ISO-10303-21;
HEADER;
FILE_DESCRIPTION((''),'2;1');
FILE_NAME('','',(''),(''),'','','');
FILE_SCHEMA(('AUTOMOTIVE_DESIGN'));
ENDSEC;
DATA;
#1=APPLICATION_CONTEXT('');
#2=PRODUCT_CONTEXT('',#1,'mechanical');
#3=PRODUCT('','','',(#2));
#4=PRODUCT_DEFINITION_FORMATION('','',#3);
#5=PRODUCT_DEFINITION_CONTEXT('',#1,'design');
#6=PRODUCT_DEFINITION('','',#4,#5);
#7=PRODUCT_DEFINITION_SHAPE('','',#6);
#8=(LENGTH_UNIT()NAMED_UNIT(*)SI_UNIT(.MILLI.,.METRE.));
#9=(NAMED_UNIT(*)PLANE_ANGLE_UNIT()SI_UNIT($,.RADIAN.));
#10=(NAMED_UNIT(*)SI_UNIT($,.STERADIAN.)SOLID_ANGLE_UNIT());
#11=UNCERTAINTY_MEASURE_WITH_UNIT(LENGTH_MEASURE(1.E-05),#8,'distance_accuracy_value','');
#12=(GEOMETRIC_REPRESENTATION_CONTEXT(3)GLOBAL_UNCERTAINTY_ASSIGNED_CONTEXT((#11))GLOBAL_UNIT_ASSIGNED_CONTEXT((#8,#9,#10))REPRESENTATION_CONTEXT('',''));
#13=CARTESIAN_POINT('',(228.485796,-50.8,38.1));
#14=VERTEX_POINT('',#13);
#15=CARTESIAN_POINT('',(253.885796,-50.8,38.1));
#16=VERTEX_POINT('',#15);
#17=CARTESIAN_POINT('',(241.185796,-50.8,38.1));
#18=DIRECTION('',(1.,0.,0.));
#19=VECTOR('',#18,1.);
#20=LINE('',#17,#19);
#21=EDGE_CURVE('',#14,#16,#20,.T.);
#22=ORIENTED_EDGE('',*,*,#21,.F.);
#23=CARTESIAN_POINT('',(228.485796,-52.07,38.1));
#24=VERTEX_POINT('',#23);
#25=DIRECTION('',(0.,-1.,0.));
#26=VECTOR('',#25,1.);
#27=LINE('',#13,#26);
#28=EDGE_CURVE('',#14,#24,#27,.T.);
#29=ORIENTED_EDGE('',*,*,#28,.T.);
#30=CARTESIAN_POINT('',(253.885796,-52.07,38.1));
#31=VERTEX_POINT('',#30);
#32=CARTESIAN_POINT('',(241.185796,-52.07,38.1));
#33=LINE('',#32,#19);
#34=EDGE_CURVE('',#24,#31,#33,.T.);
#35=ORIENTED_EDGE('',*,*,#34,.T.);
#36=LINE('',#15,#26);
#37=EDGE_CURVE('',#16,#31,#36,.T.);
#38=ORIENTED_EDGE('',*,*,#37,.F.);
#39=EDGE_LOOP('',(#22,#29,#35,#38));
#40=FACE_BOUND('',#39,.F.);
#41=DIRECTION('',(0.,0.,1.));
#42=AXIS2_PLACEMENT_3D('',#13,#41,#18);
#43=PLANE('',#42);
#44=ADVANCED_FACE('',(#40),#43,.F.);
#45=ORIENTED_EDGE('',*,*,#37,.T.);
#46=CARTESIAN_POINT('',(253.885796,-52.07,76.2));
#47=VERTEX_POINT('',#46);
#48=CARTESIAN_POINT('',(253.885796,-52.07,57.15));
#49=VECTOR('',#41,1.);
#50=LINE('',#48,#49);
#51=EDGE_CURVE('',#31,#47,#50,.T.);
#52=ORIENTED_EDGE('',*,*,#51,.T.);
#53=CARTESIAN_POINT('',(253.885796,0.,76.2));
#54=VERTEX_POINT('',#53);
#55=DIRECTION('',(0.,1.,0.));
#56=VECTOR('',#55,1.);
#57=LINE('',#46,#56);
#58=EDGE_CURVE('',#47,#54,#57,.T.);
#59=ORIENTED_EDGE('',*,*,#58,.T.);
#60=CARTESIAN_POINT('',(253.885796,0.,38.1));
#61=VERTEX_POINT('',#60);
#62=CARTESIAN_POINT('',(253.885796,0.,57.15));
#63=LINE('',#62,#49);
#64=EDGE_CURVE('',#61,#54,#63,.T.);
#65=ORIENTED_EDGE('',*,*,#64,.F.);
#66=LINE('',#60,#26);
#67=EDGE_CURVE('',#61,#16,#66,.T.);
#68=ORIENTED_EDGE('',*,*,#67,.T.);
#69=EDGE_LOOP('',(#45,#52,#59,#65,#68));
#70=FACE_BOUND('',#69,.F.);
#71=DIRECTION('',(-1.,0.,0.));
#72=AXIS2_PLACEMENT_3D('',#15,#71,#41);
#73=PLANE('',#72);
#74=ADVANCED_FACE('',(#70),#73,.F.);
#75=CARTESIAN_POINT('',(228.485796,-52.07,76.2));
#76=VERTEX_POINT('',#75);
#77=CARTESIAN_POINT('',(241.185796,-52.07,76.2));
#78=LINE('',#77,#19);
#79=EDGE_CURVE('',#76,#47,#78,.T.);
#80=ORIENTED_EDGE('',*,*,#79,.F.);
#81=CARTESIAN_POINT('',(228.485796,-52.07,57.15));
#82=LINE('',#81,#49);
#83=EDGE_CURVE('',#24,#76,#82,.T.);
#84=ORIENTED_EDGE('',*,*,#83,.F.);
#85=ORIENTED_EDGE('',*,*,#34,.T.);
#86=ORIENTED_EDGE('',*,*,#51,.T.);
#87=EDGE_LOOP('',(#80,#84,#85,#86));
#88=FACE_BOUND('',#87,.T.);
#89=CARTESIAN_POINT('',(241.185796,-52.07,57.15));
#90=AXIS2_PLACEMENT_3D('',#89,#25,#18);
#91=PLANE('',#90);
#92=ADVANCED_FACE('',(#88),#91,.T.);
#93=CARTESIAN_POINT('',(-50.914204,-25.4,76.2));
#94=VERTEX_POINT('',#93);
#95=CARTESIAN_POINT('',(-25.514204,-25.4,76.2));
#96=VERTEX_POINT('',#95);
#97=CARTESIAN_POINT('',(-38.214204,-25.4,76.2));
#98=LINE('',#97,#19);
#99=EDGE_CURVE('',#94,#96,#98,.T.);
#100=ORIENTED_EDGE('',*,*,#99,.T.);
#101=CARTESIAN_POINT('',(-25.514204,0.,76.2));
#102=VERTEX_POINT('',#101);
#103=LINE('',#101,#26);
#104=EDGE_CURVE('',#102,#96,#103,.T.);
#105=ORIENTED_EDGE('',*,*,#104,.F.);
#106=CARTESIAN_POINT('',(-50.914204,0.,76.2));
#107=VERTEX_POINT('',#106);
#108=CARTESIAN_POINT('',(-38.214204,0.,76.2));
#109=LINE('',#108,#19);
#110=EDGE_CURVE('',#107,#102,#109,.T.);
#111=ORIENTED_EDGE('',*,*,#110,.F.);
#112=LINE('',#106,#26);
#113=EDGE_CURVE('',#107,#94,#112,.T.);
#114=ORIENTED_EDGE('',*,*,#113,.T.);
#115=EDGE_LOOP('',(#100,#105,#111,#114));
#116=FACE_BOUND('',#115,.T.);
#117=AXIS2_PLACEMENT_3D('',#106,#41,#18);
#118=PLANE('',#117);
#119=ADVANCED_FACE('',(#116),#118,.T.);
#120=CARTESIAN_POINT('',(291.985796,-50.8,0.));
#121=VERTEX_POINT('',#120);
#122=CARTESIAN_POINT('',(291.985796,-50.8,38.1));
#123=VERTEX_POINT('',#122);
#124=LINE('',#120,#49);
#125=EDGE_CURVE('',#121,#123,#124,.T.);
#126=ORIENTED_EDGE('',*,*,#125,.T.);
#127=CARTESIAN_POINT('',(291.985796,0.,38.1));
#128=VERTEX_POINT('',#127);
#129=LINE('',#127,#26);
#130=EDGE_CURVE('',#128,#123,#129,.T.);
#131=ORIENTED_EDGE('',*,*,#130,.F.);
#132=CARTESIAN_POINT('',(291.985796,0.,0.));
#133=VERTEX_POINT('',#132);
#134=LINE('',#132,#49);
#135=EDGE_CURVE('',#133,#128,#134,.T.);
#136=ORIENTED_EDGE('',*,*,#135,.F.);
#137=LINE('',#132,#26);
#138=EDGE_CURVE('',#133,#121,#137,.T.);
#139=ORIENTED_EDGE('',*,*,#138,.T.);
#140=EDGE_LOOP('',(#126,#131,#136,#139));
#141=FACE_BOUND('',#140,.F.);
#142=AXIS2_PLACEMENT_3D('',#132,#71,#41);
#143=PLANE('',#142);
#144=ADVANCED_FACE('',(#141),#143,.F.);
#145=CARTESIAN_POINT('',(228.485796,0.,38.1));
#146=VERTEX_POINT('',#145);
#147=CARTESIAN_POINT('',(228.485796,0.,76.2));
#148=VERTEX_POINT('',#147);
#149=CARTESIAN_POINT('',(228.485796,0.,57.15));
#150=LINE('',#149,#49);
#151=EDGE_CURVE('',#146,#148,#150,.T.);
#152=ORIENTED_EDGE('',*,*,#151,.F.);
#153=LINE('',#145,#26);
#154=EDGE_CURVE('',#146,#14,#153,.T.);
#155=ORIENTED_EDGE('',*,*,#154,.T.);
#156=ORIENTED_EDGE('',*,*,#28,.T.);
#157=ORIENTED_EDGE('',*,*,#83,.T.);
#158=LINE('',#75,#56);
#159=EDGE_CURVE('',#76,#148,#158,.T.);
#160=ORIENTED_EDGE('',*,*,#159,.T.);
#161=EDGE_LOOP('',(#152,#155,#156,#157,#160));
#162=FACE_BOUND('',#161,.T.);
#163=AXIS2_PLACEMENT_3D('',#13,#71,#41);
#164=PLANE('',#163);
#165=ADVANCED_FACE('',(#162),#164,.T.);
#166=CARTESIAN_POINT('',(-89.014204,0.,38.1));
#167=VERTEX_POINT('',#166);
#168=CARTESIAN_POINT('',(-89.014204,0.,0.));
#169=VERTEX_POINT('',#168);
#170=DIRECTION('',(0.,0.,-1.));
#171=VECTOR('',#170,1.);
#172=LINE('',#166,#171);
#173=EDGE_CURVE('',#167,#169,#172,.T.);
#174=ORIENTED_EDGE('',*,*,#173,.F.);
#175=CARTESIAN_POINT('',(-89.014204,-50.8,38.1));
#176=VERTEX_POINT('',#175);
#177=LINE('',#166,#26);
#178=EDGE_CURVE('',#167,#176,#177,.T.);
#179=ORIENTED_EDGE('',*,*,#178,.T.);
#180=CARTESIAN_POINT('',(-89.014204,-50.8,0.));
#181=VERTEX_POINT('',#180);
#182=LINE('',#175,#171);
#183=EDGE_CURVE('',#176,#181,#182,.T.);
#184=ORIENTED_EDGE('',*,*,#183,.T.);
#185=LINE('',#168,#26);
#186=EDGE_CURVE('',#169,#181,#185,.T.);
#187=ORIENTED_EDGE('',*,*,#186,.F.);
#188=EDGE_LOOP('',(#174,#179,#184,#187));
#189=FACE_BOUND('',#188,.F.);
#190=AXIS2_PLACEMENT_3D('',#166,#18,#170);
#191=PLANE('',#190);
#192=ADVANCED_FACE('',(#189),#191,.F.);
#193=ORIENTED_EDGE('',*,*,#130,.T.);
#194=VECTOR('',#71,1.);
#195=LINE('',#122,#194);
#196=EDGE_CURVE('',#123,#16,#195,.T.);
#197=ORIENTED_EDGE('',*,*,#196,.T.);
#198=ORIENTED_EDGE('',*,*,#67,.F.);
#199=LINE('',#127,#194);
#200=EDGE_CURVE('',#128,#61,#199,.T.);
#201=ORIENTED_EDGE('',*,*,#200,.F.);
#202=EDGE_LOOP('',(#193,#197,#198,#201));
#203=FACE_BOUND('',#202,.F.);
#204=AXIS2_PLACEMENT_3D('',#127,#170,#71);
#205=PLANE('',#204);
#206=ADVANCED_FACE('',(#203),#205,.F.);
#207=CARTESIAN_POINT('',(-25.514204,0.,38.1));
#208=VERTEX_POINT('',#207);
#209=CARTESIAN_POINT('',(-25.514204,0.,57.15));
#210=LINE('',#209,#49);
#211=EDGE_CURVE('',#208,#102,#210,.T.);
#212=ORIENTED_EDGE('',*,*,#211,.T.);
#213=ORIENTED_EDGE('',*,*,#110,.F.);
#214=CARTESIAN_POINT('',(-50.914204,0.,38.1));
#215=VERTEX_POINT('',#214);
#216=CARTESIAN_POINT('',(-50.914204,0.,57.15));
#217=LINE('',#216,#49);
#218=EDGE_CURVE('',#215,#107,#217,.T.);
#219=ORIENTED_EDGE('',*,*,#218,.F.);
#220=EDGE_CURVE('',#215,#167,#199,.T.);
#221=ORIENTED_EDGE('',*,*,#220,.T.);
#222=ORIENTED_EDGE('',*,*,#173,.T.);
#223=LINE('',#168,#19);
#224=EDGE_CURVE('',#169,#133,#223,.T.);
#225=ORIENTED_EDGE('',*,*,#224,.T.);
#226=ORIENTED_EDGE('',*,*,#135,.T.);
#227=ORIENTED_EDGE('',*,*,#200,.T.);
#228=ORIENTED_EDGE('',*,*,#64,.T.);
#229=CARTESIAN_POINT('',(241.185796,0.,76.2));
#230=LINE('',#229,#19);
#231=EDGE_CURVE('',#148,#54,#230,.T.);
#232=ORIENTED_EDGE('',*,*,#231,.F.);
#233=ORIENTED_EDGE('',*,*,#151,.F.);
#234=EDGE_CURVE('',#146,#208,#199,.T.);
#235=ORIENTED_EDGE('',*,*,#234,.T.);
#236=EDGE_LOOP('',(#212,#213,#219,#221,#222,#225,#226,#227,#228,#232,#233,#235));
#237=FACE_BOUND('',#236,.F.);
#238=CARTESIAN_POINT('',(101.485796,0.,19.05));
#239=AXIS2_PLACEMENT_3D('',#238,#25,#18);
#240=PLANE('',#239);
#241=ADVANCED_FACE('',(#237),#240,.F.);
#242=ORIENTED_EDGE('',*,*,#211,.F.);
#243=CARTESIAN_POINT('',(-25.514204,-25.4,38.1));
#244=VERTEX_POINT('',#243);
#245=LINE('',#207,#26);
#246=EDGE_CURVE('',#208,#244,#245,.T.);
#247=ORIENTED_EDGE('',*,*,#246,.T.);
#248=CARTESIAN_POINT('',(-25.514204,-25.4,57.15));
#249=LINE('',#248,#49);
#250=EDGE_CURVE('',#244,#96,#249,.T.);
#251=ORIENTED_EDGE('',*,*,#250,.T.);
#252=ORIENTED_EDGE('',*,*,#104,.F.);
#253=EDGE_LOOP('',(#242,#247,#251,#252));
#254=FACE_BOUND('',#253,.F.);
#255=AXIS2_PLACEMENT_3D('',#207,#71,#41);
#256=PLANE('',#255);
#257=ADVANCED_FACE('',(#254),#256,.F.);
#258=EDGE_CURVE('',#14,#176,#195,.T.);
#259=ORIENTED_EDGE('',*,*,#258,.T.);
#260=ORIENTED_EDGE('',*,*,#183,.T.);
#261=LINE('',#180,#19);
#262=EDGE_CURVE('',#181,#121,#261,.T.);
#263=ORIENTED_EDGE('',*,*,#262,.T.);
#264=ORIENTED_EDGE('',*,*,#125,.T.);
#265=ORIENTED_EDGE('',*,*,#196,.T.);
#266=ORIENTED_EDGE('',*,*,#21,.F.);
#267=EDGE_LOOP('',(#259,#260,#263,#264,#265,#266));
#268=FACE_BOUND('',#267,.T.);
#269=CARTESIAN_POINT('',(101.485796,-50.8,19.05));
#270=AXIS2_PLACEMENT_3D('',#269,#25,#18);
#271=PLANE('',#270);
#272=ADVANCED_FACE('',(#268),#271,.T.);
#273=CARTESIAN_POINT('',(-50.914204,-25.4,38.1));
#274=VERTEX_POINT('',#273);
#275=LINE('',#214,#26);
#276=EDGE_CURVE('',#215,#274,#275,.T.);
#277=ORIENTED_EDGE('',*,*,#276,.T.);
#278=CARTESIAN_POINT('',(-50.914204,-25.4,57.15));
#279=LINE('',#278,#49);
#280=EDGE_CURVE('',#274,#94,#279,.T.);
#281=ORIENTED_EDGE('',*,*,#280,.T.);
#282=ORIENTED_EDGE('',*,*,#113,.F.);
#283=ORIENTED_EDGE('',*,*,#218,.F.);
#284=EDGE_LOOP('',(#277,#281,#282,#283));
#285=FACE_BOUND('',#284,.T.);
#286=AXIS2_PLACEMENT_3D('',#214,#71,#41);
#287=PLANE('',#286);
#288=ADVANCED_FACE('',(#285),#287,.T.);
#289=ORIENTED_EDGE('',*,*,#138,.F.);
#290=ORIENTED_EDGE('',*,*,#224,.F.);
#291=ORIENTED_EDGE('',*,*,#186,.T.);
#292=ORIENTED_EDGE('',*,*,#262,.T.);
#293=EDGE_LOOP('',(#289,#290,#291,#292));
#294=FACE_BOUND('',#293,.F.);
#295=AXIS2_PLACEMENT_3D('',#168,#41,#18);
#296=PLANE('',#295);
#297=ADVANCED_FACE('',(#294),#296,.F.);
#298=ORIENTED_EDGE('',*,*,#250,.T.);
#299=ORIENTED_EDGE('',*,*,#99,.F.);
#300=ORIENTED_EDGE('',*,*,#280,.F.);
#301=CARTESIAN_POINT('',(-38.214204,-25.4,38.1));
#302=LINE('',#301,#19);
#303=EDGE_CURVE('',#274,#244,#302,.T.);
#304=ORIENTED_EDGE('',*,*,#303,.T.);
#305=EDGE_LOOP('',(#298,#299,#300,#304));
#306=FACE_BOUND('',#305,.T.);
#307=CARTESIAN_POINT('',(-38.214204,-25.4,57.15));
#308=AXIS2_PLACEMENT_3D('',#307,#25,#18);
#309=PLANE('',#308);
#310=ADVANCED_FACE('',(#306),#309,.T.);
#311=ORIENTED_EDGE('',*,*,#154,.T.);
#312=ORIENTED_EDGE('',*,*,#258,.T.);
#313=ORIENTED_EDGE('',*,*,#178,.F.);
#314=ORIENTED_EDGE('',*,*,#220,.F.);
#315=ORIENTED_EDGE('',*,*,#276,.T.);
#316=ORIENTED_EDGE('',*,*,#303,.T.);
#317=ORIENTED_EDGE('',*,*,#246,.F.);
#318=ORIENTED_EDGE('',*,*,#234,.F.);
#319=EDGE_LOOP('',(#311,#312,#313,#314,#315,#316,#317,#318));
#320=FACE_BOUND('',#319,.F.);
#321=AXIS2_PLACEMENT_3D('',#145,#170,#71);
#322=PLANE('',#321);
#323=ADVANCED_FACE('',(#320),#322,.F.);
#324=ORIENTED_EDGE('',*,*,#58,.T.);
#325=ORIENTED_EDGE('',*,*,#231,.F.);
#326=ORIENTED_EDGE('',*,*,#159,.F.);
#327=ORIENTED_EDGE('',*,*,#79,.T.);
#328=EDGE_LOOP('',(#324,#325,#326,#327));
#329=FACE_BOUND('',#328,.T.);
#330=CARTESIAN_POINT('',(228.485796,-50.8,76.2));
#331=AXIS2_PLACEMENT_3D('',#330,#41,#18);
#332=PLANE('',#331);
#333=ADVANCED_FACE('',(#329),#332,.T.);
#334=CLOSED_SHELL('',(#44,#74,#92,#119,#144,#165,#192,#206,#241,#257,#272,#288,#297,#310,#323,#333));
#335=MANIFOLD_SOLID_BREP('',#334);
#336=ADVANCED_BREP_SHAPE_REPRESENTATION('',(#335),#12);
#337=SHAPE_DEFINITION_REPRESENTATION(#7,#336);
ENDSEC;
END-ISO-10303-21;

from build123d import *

# Parameters (mm, degrees)
F0_W     = 25.4
F0_H     = 38.1
F1_DEPTH = 50.8
F2_DEPTH = 25.4
F3_W     = 25.4
F3_H     = 38.1
F4_DEPTH = 1.27


with BuildPart() as f1:
    # F0 (on Front) → F1 (new body)
    with BuildSketch(Plane.XZ):
        Polygon((-50.914204, 38.1), (-89.014204, 38.1), (-89.014204, 0), (291.985796, 0), (291.985796, 38.1), (253.885796, 38.1), (228.485796, 38.1), (-25.514204, 38.1), align=None)
        with Locations((241.185796, 57.15)):
            Rectangle(F0_W, F0_H)
    extrude(amount=F1_DEPTH)

    # F0 (on Front) → F2 (join)
    with BuildSketch(Plane.XZ):
        with Locations((-38.214204, 57.15)):
            Rectangle(F0_W, F0_H)
    extrude(amount=F2_DEPTH)

    # F3 (on face) → F4 (join)
    with BuildSketch(Plane.XZ.offset(50.8)):
        with Locations((241.185796, 57.15)):
            Rectangle(F3_W, F3_H)
    extrude(amount=F4_DEPTH)


solid = f1.part
